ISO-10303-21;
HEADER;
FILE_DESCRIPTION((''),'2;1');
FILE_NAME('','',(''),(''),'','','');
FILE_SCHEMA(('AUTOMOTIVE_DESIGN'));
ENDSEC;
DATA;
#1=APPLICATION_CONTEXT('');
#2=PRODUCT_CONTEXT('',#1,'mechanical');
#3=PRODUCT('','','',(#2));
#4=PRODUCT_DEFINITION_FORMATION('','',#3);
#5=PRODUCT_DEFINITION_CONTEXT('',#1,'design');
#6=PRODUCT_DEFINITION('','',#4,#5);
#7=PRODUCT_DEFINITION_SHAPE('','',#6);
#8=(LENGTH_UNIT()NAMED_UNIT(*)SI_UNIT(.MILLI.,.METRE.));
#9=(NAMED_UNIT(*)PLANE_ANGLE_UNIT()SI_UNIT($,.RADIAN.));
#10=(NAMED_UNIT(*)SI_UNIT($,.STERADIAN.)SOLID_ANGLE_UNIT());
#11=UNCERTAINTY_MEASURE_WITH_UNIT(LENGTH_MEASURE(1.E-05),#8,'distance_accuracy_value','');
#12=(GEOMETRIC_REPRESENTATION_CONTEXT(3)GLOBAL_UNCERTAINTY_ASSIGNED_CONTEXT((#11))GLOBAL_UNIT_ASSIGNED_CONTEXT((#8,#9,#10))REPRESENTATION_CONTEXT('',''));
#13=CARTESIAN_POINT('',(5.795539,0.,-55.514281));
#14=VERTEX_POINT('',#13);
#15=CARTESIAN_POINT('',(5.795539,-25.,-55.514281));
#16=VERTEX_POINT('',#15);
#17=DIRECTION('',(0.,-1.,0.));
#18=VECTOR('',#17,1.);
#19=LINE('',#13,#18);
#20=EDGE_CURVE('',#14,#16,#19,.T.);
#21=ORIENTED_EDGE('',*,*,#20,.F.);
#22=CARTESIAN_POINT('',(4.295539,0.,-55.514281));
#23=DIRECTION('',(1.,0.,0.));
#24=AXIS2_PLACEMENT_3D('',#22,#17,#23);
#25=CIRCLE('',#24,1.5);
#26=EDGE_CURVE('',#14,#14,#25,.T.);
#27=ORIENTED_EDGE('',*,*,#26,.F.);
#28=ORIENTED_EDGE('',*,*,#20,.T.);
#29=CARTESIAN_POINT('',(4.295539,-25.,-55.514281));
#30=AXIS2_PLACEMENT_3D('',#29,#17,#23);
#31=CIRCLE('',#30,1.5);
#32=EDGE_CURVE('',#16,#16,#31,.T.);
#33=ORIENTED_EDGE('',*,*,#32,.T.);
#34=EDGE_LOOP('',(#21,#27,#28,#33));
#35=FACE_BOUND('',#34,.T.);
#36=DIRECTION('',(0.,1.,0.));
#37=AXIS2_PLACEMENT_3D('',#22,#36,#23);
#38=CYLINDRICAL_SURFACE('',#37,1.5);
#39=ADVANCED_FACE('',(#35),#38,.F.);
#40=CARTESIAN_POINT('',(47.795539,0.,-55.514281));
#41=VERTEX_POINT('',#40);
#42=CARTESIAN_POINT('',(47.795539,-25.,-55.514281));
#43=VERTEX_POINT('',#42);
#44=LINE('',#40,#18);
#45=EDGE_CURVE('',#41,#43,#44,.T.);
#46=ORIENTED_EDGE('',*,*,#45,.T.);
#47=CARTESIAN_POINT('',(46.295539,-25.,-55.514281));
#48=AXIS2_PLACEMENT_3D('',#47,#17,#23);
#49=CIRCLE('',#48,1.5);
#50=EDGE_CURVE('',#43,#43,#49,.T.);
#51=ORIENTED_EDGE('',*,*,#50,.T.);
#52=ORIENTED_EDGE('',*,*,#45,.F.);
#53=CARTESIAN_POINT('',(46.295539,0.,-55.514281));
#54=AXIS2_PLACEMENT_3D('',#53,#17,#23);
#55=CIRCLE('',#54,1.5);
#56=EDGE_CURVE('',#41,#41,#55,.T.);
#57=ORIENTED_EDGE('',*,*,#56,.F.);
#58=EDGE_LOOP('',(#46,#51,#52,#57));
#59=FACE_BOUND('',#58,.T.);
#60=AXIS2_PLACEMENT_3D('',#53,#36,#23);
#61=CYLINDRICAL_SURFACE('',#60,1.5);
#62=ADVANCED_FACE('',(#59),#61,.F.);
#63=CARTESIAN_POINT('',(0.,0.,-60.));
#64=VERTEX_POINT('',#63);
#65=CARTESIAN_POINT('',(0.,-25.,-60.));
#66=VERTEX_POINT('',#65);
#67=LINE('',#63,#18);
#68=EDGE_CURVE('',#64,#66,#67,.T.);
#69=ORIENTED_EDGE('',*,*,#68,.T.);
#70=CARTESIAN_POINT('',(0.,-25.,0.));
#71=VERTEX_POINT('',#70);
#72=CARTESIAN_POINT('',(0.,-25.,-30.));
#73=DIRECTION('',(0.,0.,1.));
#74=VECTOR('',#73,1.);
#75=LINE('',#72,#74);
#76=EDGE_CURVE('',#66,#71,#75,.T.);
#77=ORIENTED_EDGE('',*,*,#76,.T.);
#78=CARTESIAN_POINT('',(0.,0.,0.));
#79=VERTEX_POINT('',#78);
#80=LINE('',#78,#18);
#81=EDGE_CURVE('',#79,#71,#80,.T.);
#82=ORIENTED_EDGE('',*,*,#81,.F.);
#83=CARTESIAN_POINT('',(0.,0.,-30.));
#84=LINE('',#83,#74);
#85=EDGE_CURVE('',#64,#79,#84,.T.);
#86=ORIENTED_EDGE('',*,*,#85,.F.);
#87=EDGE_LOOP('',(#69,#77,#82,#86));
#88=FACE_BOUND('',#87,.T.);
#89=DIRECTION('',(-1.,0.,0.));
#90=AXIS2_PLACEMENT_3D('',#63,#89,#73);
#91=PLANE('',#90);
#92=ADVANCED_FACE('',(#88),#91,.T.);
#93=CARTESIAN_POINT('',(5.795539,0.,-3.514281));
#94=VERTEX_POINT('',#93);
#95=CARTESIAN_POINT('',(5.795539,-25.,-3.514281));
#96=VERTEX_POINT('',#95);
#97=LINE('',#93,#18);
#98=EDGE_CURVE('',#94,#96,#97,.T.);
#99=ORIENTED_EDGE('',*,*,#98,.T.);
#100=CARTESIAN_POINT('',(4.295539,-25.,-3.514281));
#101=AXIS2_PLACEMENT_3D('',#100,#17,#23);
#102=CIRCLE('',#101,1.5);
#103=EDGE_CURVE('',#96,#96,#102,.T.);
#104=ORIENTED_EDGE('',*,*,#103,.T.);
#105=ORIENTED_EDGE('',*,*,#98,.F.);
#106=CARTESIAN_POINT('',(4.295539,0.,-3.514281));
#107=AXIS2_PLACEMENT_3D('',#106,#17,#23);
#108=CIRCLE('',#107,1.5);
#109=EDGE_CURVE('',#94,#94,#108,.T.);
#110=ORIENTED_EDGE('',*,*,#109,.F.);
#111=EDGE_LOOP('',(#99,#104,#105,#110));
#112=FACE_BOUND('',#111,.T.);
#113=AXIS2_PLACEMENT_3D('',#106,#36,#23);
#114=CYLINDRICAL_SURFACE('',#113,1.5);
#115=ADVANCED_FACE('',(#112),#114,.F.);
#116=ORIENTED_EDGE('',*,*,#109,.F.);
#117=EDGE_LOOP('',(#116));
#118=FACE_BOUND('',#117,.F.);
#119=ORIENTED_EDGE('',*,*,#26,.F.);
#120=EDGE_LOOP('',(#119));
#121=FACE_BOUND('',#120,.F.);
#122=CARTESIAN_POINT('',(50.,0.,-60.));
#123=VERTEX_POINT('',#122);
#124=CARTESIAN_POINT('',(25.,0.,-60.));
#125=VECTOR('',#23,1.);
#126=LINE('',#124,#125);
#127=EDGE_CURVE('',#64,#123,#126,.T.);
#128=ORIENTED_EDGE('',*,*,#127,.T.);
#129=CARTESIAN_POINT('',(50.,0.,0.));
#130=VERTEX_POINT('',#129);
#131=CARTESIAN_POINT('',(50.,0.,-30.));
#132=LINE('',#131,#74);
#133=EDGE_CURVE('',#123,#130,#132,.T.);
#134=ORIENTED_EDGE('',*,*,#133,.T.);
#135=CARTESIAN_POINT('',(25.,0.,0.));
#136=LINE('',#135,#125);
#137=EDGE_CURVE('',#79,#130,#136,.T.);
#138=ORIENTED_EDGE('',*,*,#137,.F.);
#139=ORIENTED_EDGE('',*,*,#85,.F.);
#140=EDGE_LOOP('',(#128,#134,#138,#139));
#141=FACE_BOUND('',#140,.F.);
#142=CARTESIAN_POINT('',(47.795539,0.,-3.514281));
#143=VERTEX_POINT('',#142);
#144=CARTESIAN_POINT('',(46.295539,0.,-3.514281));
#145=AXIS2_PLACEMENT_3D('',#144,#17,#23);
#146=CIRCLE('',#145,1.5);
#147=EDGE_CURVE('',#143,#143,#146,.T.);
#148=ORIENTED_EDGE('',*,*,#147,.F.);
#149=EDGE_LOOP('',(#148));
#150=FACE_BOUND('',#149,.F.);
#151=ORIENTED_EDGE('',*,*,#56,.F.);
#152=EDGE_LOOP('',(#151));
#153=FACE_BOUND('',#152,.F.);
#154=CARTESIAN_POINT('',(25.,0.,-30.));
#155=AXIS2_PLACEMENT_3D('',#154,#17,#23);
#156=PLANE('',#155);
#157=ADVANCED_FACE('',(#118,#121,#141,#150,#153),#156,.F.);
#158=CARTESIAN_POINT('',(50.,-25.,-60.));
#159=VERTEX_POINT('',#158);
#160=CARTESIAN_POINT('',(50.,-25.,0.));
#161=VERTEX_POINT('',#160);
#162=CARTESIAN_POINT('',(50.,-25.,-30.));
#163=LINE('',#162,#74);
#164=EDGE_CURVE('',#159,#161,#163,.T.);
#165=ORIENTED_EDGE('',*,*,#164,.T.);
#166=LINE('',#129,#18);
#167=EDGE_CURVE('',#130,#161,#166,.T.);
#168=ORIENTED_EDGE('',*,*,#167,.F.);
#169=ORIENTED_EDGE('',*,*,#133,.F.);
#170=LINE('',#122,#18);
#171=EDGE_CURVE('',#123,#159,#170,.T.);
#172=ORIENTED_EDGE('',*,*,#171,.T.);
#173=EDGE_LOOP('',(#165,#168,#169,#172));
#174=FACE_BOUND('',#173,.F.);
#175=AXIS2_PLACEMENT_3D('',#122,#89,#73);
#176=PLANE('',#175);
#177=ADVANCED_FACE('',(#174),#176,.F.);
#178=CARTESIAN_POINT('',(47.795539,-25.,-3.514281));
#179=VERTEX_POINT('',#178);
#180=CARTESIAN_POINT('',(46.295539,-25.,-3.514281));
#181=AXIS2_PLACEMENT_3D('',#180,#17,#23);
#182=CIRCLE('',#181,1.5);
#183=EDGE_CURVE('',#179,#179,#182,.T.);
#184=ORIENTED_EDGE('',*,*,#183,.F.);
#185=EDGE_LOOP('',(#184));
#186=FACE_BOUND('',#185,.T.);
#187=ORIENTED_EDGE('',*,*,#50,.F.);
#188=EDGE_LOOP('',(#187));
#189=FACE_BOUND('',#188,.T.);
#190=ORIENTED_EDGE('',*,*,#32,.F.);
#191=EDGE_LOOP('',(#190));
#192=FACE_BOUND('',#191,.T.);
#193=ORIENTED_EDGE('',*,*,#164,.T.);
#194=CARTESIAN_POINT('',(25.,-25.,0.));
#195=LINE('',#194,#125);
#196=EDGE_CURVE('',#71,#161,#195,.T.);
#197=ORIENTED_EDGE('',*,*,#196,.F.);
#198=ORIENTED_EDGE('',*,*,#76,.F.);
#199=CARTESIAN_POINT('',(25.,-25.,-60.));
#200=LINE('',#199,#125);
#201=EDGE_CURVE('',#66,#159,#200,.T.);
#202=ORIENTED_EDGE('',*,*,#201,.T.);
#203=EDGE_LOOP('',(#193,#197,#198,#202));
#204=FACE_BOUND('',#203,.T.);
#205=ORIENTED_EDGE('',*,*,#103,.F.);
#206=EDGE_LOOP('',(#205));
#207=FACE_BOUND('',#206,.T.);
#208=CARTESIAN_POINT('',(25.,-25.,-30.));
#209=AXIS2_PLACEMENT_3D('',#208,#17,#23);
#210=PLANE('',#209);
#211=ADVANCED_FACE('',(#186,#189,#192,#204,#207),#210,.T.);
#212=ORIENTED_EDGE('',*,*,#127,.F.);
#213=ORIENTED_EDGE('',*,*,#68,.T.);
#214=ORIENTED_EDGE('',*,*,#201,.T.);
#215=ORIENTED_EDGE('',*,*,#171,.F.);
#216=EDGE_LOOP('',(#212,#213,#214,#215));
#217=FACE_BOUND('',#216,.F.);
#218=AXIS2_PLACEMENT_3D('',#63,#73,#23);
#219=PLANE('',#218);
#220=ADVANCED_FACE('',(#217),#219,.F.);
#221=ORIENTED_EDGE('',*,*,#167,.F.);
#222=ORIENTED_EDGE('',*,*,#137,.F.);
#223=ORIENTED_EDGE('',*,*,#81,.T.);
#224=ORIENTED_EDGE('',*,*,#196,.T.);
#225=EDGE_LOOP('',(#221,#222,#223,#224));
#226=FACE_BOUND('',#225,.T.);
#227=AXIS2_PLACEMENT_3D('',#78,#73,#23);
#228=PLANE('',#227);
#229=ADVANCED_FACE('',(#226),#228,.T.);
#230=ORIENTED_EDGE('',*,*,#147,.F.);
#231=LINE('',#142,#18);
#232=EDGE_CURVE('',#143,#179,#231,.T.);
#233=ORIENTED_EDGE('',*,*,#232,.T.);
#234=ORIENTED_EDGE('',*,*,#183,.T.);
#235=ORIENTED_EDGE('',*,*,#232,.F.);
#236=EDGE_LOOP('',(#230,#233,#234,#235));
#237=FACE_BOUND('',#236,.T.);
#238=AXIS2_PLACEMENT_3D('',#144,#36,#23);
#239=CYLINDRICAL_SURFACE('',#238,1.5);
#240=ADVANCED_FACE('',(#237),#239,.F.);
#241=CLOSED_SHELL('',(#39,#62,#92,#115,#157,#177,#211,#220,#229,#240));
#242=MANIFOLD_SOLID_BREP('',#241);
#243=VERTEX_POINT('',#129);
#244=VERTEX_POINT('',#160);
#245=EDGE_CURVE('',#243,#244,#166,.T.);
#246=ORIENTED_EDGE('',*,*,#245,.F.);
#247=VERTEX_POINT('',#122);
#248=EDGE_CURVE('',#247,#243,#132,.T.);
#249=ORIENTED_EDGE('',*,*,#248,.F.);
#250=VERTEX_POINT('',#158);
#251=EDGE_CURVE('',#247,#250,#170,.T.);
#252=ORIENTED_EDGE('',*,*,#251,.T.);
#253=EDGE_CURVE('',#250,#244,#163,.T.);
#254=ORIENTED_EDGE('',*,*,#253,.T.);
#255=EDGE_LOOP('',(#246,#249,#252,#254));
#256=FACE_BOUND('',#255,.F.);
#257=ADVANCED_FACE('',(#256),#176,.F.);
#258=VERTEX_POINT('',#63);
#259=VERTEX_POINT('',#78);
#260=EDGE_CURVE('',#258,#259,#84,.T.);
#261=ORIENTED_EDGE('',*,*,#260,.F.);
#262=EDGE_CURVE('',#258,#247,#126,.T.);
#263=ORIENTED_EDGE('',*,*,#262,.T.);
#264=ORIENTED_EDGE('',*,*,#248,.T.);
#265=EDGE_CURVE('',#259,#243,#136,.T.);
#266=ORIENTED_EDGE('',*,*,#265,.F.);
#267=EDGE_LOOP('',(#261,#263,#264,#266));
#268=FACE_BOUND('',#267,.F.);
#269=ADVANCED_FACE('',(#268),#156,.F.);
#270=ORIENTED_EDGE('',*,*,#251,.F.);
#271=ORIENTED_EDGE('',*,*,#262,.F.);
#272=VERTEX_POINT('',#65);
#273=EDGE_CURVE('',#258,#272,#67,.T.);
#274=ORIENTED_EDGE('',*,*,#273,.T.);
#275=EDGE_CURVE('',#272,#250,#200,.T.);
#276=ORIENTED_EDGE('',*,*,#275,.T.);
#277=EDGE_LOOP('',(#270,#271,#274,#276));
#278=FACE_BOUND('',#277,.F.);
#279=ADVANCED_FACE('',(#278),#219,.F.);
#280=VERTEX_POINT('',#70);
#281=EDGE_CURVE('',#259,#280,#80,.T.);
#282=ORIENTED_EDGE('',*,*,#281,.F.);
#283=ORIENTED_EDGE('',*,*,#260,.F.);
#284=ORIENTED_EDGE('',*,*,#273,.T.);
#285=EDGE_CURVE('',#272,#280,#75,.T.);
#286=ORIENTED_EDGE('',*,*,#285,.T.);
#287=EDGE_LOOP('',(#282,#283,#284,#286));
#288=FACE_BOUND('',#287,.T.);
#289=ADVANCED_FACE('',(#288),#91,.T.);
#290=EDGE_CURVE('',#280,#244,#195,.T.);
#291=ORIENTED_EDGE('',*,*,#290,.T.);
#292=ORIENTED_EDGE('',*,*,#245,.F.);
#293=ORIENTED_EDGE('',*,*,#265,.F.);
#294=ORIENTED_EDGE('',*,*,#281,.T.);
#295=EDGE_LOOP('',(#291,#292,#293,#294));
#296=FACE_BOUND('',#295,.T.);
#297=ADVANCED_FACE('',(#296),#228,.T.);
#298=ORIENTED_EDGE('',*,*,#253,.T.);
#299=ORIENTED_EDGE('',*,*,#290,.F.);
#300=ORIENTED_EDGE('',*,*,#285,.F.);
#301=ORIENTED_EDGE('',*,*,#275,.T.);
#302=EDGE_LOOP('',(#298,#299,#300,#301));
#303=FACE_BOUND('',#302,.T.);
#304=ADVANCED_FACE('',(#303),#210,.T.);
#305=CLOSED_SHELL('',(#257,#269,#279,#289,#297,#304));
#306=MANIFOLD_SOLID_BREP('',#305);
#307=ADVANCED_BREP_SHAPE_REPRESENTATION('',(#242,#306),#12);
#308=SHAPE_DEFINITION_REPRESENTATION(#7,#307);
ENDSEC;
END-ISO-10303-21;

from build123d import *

# Parameters (mm, degrees)
F0_W     = 50
F0_H     = 60
F2_DEPTH = 25
F1_W     = 50
F1_H     = 60
F1_R     = 1.5


with BuildPart() as f2:
    # F0 (on Front) → F2 (new body)
    with BuildSketch(Plane.XZ):
        with Locations((25, -30)):
            Rectangle(F0_W, F0_H)
    extrude(amount=F2_DEPTH)


with BuildPart() as f2b:
    # F1 (on face) → F2, piece 2 (new body)
    with BuildSketch(Plane.XZ):
        with Locations((25, -30)):
            Rectangle(F1_W, F1_H)
        with Locations((4.2955388278, -55.5142813411)):
            Circle(F1_R, mode=Mode.SUBTRACT)
        with Locations((46.2955388278, -55.5142813411)):
            Circle(F1_R, mode=Mode.SUBTRACT)
        with Locations((4.2955388278, -3.5142813411)):
            Circle(F1_R, mode=Mode.SUBTRACT)
        with Locations((46.2955388278, -3.5142813411)):
            Circle(F1_R, mode=Mode.SUBTRACT)
    extrude(amount=F2_DEPTH)


solid = Compound([f2.part, f2b.part])
